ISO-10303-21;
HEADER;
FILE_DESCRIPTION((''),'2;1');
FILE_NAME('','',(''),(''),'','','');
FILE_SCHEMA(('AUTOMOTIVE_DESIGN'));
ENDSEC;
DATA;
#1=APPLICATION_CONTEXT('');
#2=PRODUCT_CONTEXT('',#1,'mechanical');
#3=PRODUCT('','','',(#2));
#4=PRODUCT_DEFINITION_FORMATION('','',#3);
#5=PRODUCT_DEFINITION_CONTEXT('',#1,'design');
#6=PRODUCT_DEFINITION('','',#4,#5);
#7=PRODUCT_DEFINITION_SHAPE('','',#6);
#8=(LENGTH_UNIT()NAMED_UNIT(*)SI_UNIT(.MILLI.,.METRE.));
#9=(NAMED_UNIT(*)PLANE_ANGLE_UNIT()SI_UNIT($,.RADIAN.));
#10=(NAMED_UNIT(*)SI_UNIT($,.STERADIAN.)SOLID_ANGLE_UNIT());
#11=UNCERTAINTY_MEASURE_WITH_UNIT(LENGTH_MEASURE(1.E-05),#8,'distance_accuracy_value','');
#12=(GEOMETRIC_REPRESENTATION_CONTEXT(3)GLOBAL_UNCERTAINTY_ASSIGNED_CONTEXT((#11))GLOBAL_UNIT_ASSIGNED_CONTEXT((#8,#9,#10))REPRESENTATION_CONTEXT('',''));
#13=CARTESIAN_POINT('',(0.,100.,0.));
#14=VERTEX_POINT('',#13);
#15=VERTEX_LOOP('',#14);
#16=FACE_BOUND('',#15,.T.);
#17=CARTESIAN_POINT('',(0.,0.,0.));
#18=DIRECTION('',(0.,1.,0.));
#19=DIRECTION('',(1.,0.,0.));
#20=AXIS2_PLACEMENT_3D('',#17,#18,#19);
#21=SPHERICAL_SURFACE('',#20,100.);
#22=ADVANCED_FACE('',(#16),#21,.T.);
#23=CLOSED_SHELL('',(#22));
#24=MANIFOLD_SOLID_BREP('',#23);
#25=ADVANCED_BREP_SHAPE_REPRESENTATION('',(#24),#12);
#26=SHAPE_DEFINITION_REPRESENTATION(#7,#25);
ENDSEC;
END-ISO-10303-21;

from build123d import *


with BuildPart() as part:
    # Sketch1 → Revolve1 (revolve)
    with BuildSketch(Plane.XY):
        with BuildLine():
            Line((0, 100), (0, -100))
            ThreePointArc((0, -100), (100, 0), (0, 100))
        make_face()
    revolve(axis=Axis((0, -100, 0), (0, 1, 0)))


solid = part.part
